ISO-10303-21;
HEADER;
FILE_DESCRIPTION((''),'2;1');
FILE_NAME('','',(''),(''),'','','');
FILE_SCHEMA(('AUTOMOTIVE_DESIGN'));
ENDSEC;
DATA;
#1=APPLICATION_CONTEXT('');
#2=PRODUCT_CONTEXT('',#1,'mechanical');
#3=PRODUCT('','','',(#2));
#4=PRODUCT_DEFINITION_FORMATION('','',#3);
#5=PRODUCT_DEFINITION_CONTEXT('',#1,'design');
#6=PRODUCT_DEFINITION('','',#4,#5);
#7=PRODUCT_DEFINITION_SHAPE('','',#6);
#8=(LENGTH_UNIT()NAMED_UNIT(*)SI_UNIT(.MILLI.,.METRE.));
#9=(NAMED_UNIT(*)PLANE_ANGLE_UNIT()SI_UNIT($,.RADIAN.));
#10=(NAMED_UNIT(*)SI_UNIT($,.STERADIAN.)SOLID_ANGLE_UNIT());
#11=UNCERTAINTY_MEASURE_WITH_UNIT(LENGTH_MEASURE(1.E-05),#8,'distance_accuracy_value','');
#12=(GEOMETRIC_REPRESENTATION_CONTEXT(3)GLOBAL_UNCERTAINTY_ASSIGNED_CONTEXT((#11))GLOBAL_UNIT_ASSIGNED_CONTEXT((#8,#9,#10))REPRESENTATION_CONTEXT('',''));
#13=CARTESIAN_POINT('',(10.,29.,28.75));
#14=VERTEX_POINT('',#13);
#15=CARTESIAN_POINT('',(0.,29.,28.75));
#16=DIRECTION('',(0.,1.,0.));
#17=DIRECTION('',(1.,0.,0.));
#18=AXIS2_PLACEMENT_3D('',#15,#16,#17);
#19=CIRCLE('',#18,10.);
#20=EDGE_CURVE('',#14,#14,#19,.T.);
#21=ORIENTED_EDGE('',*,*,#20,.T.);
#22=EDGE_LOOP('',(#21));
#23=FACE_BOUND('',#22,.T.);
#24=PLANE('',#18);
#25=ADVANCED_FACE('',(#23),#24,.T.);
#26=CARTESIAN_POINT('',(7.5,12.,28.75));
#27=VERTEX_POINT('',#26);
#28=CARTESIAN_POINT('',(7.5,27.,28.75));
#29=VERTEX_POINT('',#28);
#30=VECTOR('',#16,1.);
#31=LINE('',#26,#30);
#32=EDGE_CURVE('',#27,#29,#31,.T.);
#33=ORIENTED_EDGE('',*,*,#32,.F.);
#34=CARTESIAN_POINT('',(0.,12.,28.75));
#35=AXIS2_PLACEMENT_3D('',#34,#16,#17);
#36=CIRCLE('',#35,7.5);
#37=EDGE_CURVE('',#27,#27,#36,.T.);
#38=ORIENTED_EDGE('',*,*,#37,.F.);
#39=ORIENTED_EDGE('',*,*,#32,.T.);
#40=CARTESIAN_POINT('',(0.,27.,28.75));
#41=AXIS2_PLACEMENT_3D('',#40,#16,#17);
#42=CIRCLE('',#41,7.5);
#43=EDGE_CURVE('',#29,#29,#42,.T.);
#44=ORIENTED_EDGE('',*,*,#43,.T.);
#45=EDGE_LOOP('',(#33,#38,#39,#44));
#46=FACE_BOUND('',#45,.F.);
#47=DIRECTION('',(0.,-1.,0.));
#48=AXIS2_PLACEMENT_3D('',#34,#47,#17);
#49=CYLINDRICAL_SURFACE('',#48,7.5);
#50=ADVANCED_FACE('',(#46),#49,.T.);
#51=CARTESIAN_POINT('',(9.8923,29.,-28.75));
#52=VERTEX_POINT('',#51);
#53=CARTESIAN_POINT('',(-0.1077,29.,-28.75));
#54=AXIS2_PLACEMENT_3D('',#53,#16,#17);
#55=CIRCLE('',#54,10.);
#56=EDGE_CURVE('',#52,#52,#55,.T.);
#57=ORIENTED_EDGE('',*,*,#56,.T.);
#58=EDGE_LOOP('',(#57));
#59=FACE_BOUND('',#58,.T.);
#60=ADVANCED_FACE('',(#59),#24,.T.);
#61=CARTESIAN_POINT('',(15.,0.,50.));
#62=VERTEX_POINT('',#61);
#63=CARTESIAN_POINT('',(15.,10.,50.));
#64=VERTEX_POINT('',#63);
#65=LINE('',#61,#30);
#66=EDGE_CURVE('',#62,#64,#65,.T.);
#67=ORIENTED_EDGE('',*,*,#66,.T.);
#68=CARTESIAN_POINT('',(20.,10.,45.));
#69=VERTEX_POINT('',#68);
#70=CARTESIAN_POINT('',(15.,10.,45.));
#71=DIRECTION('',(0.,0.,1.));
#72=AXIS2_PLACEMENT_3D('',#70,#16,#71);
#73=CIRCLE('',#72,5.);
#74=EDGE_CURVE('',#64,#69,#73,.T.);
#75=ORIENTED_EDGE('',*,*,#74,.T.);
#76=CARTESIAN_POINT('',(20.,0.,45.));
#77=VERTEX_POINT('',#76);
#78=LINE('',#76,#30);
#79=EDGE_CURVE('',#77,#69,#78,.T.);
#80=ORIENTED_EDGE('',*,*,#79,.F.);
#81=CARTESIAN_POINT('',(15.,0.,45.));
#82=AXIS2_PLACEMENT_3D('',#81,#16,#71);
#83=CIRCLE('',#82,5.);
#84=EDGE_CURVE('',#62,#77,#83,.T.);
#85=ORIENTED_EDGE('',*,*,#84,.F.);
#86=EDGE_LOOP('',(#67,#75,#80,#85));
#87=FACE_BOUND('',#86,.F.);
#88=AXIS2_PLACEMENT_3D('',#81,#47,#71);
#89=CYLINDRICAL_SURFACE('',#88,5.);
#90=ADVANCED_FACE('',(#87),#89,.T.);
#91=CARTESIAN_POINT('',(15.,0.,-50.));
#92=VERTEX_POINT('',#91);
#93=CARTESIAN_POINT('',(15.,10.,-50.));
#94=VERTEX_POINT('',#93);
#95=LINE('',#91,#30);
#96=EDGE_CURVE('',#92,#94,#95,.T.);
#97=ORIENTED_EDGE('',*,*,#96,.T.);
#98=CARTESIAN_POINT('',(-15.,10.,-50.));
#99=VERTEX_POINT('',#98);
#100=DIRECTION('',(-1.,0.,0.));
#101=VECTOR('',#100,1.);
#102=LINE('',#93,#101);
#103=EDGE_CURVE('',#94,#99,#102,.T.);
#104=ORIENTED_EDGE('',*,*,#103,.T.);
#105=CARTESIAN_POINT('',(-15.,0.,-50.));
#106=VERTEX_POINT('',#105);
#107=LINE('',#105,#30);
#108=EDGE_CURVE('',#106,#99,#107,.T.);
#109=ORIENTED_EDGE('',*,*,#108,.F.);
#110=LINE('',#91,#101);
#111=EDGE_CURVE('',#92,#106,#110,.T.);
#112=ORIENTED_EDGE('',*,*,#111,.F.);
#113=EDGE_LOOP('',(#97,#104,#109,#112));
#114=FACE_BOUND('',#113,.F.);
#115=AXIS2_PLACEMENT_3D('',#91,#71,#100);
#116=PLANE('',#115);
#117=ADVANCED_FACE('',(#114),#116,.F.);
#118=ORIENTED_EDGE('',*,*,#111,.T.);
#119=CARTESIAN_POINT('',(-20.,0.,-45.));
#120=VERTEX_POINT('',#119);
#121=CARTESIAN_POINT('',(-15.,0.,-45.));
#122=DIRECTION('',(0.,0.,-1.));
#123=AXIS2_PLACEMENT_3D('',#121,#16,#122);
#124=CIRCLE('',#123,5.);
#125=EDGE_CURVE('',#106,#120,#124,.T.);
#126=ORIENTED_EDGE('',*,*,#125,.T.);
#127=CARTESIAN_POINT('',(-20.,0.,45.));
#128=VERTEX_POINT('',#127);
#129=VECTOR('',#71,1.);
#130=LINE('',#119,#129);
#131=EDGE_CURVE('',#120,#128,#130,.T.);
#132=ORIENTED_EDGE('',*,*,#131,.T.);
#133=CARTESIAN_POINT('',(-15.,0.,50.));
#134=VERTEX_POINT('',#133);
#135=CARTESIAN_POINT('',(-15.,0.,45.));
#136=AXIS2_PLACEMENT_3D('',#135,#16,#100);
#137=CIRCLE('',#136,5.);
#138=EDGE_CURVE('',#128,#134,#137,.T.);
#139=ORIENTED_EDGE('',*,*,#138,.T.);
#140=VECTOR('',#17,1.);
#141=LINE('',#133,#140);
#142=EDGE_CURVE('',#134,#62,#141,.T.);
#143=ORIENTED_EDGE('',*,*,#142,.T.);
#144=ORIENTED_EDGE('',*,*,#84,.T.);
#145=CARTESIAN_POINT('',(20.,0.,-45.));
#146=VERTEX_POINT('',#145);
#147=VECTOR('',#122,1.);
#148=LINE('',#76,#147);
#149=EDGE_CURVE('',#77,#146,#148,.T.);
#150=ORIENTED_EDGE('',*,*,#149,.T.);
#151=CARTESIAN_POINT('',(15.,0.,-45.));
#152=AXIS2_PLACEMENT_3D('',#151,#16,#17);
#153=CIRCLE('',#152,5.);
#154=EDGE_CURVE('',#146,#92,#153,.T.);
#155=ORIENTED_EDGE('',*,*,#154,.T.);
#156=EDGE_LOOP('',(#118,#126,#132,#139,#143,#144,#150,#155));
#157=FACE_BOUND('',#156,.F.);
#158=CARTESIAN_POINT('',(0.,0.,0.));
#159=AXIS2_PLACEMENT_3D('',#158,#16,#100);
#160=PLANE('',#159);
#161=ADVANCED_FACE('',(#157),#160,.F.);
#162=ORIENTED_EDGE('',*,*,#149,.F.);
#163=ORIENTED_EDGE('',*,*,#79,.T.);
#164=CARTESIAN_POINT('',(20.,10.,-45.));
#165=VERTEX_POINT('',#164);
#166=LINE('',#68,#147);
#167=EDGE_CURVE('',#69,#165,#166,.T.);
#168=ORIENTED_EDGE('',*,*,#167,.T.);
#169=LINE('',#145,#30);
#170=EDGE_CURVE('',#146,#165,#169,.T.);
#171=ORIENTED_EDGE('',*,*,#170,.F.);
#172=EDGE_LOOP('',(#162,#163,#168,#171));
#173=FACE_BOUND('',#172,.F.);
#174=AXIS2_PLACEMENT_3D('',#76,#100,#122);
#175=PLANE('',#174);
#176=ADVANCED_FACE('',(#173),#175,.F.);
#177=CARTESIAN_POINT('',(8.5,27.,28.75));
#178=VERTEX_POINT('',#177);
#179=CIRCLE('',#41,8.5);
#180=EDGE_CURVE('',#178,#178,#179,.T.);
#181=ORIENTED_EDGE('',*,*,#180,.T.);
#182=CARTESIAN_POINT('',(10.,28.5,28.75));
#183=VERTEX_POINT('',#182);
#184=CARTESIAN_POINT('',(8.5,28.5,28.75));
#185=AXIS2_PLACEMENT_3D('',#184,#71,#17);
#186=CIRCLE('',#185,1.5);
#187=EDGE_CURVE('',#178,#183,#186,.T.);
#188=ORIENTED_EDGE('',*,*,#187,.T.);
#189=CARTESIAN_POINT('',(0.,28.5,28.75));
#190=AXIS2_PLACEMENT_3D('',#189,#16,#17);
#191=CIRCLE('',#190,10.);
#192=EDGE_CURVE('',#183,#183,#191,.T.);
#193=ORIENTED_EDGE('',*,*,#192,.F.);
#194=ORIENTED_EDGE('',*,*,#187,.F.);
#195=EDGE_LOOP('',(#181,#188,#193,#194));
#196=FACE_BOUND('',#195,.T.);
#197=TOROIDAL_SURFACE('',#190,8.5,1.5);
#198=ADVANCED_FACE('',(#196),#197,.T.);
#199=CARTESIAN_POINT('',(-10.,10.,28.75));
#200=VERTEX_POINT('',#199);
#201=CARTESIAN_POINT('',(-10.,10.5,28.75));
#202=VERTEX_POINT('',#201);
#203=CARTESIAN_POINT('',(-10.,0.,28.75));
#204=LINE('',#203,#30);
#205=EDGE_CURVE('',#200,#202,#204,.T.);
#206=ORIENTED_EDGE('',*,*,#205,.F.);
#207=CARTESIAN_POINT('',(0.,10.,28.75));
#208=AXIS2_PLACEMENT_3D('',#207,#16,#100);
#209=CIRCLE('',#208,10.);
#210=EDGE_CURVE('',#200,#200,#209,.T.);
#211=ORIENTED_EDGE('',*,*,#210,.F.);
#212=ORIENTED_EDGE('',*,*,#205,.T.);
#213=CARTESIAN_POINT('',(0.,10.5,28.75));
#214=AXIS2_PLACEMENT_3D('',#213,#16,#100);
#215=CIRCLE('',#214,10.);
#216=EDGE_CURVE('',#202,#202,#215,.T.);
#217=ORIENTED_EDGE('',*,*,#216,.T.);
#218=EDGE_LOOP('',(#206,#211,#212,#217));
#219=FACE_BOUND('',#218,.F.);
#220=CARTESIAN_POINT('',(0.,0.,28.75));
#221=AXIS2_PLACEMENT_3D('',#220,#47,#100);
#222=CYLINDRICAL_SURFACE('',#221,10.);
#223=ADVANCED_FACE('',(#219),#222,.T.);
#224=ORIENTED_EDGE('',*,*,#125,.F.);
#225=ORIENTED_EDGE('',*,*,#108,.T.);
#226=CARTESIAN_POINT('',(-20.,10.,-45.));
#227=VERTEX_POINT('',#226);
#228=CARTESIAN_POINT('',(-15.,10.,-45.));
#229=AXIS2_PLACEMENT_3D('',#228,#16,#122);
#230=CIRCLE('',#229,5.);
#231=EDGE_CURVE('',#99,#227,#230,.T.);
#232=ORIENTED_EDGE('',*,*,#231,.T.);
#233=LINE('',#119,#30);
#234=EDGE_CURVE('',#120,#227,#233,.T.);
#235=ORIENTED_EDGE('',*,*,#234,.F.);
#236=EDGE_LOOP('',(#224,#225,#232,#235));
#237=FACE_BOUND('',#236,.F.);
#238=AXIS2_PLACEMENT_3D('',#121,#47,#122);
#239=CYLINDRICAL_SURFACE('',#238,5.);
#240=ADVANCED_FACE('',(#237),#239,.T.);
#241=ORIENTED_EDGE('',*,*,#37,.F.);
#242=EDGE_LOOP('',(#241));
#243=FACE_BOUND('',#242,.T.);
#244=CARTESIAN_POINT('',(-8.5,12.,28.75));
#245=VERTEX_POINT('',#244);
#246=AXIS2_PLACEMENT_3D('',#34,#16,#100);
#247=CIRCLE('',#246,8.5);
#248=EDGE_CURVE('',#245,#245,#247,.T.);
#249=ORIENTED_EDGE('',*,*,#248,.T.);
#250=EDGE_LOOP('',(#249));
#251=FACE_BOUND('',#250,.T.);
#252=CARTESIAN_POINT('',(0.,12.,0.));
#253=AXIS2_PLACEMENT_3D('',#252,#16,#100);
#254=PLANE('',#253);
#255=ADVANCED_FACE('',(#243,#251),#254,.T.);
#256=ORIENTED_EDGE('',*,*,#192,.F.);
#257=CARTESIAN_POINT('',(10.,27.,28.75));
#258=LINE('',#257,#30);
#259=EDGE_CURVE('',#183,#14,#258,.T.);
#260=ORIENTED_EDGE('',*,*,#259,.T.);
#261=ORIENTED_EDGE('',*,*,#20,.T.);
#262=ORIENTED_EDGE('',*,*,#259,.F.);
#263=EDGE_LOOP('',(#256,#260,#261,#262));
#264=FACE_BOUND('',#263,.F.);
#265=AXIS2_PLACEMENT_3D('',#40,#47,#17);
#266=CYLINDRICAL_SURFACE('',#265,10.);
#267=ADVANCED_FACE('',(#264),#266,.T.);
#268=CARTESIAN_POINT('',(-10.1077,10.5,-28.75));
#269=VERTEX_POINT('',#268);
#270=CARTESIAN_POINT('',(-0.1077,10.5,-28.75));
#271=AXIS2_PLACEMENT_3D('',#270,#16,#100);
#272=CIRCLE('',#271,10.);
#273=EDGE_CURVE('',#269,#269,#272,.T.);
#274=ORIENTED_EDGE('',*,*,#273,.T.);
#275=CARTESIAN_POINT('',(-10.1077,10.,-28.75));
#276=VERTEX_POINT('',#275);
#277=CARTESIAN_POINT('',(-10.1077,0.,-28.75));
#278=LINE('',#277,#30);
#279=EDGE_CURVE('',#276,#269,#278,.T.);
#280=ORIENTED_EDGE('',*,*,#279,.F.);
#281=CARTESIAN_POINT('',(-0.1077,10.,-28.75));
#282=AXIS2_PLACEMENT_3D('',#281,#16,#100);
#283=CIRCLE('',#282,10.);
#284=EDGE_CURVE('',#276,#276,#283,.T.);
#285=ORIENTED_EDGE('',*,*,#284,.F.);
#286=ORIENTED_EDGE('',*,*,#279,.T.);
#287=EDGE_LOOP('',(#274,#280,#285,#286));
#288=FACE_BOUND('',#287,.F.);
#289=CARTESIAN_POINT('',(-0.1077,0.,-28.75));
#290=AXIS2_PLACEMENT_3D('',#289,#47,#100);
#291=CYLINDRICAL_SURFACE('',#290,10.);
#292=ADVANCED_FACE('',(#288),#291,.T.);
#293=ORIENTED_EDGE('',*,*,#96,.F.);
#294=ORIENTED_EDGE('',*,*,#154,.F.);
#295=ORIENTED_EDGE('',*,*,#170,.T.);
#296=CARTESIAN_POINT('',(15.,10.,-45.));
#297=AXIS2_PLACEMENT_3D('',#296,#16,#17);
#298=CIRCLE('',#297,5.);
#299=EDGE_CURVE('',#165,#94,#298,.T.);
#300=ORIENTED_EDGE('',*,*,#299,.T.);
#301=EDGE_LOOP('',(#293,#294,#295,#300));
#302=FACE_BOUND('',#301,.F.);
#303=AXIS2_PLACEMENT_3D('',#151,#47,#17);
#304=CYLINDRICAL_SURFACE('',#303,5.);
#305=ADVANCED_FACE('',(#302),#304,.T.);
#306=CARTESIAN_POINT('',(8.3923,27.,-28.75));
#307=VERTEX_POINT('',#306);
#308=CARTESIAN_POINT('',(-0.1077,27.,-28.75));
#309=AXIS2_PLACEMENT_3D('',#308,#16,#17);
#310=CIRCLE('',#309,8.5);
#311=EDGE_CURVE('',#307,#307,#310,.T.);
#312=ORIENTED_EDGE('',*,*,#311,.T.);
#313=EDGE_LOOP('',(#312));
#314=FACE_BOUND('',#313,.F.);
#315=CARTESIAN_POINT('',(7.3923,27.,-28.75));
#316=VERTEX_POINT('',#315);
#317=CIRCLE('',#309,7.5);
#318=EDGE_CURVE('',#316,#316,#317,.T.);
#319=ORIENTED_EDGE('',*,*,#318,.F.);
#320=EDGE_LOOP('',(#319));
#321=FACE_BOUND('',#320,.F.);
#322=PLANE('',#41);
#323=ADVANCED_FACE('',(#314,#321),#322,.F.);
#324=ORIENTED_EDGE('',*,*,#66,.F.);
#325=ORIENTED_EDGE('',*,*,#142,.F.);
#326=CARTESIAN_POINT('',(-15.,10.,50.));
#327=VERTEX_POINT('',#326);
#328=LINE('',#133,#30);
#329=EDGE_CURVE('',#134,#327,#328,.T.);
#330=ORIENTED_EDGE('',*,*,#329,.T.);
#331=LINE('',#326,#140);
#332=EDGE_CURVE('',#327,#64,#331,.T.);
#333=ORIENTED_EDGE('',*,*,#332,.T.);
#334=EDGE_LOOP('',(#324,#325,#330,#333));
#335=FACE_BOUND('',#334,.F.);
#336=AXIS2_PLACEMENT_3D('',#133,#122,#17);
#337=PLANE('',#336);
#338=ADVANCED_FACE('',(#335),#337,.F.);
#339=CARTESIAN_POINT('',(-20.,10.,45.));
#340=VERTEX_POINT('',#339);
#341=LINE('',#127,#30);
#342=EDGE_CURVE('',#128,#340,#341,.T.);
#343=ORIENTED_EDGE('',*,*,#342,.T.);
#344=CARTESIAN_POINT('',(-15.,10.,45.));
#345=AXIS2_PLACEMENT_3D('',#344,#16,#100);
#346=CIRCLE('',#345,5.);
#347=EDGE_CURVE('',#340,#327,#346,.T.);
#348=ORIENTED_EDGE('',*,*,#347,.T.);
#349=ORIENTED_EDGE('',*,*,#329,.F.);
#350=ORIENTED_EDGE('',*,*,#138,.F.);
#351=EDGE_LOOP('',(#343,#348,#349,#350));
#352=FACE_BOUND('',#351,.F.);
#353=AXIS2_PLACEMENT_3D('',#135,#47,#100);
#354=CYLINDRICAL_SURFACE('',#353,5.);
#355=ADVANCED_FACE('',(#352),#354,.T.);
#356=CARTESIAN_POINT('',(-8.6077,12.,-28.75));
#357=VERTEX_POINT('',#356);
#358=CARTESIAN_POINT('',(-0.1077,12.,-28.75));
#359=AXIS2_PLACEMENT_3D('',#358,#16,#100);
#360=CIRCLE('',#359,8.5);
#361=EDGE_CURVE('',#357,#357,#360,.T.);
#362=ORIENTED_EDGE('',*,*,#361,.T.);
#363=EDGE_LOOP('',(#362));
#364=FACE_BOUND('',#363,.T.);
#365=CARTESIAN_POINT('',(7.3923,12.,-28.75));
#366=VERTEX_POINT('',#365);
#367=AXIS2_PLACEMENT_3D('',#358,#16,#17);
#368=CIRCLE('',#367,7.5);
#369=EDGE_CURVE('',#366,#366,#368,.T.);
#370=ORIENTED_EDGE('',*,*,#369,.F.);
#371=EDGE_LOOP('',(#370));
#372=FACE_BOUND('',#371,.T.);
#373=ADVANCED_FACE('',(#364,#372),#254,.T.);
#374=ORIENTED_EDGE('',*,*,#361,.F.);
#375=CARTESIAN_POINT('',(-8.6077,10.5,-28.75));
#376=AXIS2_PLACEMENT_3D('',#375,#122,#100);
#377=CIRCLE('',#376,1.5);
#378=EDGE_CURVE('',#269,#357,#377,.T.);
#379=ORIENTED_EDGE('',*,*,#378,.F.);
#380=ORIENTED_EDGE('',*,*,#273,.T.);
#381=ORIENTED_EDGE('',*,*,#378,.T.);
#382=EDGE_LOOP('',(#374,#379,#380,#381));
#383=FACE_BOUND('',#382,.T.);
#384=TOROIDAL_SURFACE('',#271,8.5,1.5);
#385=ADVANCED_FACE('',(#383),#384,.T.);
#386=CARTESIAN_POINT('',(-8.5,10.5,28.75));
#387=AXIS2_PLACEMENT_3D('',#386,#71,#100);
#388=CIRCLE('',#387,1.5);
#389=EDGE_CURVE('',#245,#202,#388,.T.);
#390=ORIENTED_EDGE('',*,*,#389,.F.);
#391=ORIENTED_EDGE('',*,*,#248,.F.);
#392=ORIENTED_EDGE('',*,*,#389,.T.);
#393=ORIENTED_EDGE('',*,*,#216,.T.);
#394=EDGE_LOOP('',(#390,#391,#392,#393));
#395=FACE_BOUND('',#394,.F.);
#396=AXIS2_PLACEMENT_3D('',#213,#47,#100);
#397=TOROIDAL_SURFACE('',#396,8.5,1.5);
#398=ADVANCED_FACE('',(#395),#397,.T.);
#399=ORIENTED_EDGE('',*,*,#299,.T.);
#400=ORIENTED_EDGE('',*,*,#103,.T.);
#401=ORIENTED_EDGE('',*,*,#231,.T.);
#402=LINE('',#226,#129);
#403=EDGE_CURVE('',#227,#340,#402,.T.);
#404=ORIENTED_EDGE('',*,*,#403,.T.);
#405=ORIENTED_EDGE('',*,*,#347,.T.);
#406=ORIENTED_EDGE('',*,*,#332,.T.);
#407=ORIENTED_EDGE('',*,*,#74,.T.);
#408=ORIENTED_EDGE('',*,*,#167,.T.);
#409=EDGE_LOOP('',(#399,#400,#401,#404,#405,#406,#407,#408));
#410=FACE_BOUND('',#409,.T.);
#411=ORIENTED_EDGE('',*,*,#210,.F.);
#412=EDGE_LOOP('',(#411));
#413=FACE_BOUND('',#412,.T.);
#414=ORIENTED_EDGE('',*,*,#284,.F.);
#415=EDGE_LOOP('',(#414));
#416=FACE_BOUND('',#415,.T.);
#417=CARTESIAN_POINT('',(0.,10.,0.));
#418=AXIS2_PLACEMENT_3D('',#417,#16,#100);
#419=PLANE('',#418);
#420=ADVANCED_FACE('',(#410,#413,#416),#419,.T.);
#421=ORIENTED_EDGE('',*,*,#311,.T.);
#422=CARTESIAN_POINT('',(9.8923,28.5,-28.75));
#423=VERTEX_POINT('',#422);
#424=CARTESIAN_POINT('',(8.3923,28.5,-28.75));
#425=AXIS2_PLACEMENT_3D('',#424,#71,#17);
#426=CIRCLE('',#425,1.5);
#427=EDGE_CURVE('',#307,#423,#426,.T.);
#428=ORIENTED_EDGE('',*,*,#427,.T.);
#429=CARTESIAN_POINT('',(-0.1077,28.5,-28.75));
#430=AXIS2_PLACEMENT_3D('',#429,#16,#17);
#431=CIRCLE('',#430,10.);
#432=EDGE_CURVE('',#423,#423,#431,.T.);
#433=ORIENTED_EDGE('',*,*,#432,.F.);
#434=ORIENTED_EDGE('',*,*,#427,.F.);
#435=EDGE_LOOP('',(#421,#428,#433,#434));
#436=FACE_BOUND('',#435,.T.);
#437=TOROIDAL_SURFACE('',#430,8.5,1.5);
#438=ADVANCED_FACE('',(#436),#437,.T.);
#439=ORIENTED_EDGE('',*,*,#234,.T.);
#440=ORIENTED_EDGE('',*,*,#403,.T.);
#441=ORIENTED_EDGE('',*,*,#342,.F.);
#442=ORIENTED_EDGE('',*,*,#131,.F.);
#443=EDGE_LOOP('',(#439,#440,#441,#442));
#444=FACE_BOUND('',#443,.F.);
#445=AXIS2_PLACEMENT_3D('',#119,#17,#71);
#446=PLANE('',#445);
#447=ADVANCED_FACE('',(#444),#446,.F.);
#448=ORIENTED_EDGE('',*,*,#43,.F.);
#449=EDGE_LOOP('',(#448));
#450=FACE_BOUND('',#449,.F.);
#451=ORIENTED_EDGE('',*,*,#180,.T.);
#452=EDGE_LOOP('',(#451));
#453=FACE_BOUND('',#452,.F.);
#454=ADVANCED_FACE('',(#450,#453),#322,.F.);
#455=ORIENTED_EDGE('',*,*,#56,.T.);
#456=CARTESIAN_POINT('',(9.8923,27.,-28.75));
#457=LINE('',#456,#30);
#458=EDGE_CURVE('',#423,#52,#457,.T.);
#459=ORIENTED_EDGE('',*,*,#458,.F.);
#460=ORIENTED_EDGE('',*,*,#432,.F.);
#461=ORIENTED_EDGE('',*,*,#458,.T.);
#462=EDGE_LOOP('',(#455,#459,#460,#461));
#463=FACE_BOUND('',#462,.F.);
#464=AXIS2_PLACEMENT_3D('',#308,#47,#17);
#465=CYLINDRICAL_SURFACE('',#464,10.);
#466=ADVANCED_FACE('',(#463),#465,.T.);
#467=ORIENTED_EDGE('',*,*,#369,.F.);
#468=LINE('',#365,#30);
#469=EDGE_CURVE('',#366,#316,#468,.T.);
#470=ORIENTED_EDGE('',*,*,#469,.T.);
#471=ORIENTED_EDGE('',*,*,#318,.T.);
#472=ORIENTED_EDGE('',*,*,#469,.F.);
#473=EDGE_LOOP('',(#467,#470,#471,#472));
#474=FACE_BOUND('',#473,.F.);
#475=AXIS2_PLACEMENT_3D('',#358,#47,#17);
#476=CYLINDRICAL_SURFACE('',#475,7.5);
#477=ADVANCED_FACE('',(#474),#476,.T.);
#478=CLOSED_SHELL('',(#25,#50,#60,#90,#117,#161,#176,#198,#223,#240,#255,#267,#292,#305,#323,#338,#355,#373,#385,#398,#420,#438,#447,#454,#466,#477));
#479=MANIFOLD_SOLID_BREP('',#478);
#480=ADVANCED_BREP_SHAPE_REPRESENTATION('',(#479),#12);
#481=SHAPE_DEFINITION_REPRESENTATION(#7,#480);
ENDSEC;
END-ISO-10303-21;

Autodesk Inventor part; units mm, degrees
ref_plane "YZ Plane" through (0, 0, 0) normal (1, 0, 0) x (0, 1, 0)
ref_plane "XZ Plane" through (0, 0, 0) normal (0, 1, 0) x (-1, 0, 0)
ref_plane "XY Plane" through (0, 0, 0) normal (0, 0, 1) x (1, 0, 0)
sketch "Boceto1" plane through (0, 0, 0) normal (0, 1, 0) x (-1, 0, 0)
  line L0 (-15, -50) -> (15, -50)
  line L1 (20, -45) -> (20, 45)
  line L2 (15, 50) -> (-15, 50)
  line L3 (-20, 45) -> (-20, -45)
  arc A0 (-15, 50) -> (-20, 45) centre (-15, 45) ccw
  arc A1 (-20, -45) -> (-15, -50) centre (-15, -45) ccw
  arc A2 (15, -50) -> (20, -45) centre (15, -45) ccw
  arc A3 (20, 45) -> (15, 50) centre (15, 45) ccw
  circle A4 centre (0, 28.75) radius 10
  circle A5 centre (0.1077, -28.75) radius 10
  point P0 (0, 0)
  dimension "d3" = 5
  dimension "d4" = 5
  dimension "d5" = 5
  dimension "d6" = 5
  dimension "d7" = 20
  dimension "d8" = 20
  dimension "d10" = 28.75
  dimension "d11" = 28.75
extrude "Extrusión1" add sketch "Boceto1" along normal blind 10
extrude "Extrusión2" add sketch "Boceto1" along normal blind 12 contours A4 | A5
sketch "Boceto2" plane through (0, 12, 28.75) normal (0, 1, 0) x (1, 0, 0)
  circle A0 centre (0, 0) radius 7.5
  circle A1 centre (-0.1077, 57.5) radius 7.5
  circle A2 centre (-0.1077, 57.5) radius 10 projected
  circle A3 centre (0, 0) radius 10 projected
  point P0 (0, 28.75)
  dimension "d16" = 15
  dimension "d17" = 15
  dimension "d26" = 2.5
extrude "Extrusión3" add sketch "Boceto2" along normal blind 15 contours A0 | A1
sketch "Boceto3" plane through (0, 27, 28.75) normal (0, 1, 0) x (1, 0, 0)
  circle A0 centre (0, 0) radius 7.5 projected
  circle A1 centre (0, 0) radius 10
  circle A2 centre (-0.1077, 57.5) radius 10
  circle A3 centre (-0.1077, 57.5) radius 10 projected
  point P0 (0, 28.75)
  dimension "d20" = 20
  dimension "d21" = 20
extrude "Extrusión4" add sketch "Boceto3" along normal blind 2 contours A0 | A1 | A2
fillet "Empalme1" radius 1.5 4 edges at (10, 12, 28.75) (-10, 27, 28.75) (9.8923, 12, -28.75) (-10.1077, 27, -28.75)
properties part number "Soporte Engrane"
